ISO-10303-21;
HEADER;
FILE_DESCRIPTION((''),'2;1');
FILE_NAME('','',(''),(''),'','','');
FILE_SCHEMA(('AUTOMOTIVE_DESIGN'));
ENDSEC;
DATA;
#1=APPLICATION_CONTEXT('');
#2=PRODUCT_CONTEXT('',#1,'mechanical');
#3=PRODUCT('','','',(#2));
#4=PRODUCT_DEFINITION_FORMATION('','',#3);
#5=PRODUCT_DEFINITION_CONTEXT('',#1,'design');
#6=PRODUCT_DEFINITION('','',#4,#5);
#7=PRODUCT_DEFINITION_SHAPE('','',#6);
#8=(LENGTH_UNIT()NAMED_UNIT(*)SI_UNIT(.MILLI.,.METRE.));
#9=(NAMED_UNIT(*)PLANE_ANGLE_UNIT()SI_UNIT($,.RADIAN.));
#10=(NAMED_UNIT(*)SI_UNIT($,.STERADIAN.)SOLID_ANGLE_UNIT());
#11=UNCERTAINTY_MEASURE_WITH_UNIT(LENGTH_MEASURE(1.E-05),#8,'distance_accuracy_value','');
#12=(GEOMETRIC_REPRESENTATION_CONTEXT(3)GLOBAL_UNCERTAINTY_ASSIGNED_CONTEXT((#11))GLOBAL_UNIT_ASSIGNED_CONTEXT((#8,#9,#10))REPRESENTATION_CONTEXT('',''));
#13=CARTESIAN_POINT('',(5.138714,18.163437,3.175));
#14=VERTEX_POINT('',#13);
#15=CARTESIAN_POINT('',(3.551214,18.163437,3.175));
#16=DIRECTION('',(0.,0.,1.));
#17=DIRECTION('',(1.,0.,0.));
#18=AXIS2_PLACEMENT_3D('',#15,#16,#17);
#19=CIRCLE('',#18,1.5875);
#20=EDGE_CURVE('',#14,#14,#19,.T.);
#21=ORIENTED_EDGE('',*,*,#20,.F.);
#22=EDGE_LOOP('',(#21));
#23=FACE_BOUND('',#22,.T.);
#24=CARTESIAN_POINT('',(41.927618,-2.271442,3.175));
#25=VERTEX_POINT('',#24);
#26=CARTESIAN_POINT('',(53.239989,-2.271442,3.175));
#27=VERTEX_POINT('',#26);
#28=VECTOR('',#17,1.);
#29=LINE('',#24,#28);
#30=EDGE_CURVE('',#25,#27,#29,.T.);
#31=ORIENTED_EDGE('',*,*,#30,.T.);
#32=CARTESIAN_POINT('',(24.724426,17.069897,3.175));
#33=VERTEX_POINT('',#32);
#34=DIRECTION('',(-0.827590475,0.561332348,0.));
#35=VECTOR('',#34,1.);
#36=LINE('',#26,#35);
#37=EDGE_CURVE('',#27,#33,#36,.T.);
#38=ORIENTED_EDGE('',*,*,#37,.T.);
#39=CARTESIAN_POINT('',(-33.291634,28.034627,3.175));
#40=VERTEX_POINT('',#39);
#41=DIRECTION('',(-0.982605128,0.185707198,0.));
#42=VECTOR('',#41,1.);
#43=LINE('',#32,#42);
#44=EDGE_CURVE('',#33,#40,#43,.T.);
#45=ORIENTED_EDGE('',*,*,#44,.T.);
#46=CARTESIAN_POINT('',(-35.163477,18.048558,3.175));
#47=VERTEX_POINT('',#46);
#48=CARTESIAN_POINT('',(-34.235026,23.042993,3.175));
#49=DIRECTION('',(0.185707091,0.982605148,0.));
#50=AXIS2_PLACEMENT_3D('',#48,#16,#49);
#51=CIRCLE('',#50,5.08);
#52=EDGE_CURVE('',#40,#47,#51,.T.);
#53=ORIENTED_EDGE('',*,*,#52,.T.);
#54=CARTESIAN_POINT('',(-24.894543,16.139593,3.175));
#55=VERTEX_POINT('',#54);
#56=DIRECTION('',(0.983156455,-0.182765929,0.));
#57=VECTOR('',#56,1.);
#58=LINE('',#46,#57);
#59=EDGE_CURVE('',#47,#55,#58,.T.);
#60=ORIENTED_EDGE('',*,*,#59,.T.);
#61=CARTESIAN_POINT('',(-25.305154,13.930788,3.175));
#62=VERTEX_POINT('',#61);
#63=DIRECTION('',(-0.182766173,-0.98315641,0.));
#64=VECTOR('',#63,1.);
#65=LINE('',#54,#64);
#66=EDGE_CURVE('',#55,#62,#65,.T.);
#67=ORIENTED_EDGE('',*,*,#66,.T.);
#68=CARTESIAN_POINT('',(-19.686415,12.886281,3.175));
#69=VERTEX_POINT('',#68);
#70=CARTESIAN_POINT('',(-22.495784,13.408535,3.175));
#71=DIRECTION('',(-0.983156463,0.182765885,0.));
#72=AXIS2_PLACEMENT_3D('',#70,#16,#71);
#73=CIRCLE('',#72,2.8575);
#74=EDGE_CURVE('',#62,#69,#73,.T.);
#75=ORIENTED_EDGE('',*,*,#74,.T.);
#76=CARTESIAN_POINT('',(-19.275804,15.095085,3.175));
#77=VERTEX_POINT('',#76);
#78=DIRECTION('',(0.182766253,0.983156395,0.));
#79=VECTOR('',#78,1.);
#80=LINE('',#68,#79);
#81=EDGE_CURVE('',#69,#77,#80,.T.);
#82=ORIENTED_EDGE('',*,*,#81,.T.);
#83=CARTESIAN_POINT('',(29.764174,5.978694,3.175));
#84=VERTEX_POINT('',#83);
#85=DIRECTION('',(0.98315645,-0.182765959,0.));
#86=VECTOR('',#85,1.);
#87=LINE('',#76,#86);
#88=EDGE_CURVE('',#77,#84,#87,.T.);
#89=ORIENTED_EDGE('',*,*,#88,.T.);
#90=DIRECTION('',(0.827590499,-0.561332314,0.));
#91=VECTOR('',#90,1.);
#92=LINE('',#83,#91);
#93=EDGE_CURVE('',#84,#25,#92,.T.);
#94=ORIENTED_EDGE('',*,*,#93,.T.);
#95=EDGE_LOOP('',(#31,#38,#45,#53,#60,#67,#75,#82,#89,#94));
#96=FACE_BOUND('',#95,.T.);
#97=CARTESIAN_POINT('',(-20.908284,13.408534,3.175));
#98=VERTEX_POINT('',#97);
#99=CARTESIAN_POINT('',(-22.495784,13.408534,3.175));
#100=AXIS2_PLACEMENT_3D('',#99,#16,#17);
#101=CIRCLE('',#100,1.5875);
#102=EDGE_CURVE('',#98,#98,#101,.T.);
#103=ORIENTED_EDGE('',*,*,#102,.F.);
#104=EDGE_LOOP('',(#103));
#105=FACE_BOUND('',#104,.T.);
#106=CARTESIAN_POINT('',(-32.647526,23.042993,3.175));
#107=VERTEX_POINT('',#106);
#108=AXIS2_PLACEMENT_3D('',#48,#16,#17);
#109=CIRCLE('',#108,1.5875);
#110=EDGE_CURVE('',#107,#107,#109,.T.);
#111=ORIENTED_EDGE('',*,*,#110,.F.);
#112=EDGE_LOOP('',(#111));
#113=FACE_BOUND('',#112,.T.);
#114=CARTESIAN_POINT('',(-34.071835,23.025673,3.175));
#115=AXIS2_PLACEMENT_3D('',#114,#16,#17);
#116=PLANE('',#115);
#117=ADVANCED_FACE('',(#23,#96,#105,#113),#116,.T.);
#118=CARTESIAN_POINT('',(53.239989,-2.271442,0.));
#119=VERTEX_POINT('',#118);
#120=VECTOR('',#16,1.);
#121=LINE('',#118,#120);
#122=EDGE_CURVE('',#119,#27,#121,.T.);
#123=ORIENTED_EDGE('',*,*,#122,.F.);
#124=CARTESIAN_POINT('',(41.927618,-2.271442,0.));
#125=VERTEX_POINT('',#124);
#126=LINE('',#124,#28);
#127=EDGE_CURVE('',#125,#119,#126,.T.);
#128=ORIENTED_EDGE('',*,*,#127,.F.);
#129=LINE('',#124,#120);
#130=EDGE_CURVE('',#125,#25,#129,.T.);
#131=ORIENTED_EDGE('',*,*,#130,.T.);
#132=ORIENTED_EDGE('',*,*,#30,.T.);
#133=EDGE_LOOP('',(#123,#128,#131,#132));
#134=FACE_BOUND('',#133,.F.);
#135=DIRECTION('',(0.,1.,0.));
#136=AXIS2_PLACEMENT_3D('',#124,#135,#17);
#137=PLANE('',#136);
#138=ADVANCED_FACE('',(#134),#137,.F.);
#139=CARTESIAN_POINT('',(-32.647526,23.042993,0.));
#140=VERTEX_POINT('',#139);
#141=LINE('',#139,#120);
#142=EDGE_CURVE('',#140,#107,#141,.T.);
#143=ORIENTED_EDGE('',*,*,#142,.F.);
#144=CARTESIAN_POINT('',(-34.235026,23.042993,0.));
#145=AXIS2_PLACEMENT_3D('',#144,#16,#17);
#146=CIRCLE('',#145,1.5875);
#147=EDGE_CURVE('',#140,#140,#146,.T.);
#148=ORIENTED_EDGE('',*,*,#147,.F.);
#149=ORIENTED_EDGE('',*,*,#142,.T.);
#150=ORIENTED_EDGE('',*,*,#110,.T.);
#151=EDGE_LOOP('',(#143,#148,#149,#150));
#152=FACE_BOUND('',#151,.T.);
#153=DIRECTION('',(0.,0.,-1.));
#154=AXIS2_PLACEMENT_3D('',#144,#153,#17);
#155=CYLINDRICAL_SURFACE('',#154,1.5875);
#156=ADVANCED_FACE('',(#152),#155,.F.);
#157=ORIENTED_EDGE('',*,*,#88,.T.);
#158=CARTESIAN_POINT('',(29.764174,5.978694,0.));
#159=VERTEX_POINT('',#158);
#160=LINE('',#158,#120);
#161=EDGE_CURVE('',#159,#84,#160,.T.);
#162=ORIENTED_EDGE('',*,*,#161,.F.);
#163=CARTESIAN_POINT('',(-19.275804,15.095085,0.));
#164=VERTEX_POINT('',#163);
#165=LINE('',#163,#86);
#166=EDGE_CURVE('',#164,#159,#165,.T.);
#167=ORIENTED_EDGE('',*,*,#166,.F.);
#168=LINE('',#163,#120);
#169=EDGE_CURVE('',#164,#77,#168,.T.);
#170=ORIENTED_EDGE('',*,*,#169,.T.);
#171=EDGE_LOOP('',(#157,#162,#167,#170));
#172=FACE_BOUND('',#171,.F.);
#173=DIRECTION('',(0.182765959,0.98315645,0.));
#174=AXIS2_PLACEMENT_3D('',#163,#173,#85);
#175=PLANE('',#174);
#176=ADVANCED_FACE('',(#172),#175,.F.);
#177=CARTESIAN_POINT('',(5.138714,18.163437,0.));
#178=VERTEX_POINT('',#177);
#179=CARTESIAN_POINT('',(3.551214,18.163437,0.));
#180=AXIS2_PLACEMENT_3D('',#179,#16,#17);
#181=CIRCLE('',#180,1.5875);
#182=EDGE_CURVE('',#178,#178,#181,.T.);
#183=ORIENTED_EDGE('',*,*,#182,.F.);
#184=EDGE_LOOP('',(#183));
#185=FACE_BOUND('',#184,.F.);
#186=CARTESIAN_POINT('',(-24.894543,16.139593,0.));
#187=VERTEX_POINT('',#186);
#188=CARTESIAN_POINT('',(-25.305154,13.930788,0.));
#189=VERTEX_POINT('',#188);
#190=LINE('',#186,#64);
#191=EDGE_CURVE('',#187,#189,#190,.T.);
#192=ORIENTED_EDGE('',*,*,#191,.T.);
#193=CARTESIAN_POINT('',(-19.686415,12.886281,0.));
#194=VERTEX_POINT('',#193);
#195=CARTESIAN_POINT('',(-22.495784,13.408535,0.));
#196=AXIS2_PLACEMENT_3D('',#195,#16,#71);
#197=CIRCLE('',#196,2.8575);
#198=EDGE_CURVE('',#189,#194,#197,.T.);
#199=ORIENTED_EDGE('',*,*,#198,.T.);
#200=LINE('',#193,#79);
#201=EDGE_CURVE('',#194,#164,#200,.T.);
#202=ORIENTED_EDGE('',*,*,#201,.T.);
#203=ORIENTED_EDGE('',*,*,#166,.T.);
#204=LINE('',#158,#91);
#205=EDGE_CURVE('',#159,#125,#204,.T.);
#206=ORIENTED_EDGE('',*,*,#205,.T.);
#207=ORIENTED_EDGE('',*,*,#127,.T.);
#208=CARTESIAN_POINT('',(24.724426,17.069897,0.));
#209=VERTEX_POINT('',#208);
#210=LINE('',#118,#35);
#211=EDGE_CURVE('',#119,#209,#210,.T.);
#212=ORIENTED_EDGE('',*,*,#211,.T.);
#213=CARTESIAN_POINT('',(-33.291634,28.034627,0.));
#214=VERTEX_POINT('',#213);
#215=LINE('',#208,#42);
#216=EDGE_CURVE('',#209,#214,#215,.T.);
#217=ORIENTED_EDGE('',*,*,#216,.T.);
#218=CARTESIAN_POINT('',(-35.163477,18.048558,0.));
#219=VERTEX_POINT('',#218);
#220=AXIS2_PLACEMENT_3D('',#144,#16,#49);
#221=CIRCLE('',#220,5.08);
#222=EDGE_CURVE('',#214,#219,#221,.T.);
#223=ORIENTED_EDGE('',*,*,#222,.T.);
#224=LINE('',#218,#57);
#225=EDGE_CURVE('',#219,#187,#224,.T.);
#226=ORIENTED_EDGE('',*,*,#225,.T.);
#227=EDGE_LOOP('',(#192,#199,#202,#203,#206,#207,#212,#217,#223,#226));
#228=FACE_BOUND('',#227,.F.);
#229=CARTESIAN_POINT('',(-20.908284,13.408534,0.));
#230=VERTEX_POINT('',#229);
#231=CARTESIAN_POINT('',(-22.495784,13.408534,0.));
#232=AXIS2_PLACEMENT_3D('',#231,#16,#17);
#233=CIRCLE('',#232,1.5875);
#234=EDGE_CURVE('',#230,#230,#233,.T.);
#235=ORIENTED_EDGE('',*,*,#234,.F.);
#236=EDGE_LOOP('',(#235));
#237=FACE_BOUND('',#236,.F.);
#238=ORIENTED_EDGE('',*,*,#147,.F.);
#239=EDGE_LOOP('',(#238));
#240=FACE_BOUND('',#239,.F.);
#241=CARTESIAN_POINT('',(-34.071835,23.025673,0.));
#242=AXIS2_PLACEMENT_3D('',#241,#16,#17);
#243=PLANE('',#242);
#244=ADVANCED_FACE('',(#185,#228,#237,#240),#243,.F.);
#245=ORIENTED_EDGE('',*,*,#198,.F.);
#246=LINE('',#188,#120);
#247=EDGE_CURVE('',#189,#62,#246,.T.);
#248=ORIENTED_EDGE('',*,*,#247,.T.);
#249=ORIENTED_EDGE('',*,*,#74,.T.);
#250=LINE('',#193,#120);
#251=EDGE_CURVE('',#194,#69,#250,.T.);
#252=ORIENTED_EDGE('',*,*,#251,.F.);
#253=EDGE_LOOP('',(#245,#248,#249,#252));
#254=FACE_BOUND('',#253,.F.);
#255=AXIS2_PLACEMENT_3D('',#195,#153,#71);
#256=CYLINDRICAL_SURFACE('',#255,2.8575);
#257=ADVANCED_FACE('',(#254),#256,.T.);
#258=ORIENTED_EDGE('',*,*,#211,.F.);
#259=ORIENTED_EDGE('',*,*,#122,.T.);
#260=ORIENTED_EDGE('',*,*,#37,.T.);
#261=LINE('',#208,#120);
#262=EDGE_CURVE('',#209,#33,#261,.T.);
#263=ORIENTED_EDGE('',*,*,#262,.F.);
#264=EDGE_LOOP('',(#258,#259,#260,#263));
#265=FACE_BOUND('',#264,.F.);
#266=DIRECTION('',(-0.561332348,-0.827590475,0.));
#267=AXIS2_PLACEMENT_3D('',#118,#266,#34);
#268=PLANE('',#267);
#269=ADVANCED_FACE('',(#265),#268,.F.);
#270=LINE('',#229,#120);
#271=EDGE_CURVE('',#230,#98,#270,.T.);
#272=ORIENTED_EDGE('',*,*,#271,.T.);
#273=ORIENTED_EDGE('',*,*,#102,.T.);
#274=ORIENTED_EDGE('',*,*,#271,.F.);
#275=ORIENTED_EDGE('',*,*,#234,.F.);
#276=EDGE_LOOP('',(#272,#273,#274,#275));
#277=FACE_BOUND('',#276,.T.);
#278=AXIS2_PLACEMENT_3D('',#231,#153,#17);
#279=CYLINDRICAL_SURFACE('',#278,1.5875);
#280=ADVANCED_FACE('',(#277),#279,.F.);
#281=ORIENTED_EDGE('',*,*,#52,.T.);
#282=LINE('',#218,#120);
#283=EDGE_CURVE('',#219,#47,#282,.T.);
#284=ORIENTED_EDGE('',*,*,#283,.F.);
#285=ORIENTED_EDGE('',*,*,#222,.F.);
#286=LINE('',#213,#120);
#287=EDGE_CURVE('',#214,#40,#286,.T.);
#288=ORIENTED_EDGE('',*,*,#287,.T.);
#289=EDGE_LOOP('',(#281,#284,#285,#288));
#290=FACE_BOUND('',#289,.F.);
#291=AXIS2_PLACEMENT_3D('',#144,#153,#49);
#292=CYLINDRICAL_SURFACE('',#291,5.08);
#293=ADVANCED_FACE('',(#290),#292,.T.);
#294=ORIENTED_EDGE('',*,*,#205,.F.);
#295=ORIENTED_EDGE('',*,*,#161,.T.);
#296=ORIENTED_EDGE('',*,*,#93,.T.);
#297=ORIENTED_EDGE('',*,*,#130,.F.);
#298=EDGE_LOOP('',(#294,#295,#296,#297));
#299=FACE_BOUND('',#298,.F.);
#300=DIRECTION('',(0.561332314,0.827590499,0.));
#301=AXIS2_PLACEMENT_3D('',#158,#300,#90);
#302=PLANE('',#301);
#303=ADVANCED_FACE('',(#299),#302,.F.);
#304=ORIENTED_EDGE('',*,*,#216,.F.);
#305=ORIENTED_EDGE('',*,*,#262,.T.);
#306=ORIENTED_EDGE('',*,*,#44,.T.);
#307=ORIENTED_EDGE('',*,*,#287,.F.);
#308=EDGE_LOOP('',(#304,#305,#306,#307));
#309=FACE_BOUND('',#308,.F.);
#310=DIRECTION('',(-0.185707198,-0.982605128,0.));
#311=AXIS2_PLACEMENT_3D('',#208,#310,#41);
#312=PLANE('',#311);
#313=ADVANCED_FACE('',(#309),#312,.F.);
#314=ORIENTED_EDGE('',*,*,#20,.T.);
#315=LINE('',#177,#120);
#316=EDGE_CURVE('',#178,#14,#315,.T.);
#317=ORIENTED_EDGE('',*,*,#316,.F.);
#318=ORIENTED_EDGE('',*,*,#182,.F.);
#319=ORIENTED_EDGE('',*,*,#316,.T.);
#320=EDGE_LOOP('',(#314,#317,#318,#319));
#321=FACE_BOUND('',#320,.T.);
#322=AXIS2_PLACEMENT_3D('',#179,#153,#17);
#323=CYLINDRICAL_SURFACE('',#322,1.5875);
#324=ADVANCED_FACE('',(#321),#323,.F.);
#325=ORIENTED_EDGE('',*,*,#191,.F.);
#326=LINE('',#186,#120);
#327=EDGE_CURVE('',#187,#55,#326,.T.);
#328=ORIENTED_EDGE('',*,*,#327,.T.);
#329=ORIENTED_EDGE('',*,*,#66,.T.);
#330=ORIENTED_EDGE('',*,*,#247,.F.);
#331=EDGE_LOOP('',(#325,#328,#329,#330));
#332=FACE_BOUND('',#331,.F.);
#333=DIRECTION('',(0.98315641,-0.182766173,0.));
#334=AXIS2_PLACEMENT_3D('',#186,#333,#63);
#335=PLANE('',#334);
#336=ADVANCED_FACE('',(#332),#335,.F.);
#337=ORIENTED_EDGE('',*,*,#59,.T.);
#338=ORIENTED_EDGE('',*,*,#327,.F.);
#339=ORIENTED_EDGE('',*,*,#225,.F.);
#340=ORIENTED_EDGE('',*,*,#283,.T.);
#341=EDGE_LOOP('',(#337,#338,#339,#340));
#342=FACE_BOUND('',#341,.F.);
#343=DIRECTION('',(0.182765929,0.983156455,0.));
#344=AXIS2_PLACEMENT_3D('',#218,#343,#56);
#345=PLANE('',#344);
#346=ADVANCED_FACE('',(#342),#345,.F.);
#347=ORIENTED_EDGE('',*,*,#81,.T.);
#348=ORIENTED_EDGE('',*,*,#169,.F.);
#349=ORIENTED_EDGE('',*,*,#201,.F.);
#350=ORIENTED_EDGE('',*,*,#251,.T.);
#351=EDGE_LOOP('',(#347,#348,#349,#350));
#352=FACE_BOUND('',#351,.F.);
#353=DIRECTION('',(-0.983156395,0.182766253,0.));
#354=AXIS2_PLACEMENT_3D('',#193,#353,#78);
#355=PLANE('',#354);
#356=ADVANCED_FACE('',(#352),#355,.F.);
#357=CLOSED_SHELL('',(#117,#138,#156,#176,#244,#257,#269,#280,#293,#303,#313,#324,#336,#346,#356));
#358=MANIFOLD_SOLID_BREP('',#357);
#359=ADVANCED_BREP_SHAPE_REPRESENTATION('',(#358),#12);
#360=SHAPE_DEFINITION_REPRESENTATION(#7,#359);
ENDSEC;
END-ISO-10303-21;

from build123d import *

# Parameters (mm, degrees)
F0_R     = 1.5875
F1_DEPTH = 3.175


with BuildPart() as f1:
    # F0 (on Top) → F1 (new body)
    with BuildSketch(Plane.XY):
        with BuildLine():
            ThreePointArc((-35.163477, 18.048558), (-30.98773, 19.1364), (-29.155026, 23.042993))
            ThreePointArc((-29.155026, 23.042993), (-30.323579, 26.28444), (-33.291634, 28.034627))
            ThreePointArc((-33.291634, 28.034627), (-39.228066, 23.978916), (-35.163477, 18.048558))
        make_face()
        with Locations((-34.235026, 23.042993)):
            Circle(F0_R, mode=Mode.SUBTRACT)
        with BuildLine():
            ThreePointArc((-33.291634, 28.034627), (-30.323579, 26.28444), (-29.155026, 23.042993))
            ThreePointArc((-29.155026, 23.042993), (-30.98773, 19.1364), (-35.163477, 18.048558))
            Line((-35.163477, 18.048558), (-24.894543, 16.139593))
            Line((-24.894543, 16.139593), (-19.275804, 15.095085))
            Line((-19.275804, 15.095085), (29.764174, 5.978694))
            Line((29.764174, 5.978694), (41.927618, -2.271442))
            Line((41.927618, -2.271442), (53.239989, -2.271442))
            Line((53.239989, -2.271442), (24.724426, 17.069897))
            Line((24.724426, 17.069897), (-33.291634, 28.034627))
        make_face()
        with Locations((3.551214, 18.163437)):
            Circle(F0_R, mode=Mode.SUBTRACT)
        with BuildLine():
            Line((-19.275804, 15.095085), (-24.894543, 16.139593))
            Line((-24.894543, 16.139593), (-25.305154, 13.930788))
            ThreePointArc((-25.305154, 13.930788), (-23.018038, 10.599165), (-19.686415, 12.886281))
            Line((-19.686415, 12.886281), (-19.275804, 15.095085))
        make_face()
        with Locations((-22.495784, 13.408534)):
            Circle(F0_R, mode=Mode.SUBTRACT)
    extrude(amount=F1_DEPTH)


solid = f1.part
